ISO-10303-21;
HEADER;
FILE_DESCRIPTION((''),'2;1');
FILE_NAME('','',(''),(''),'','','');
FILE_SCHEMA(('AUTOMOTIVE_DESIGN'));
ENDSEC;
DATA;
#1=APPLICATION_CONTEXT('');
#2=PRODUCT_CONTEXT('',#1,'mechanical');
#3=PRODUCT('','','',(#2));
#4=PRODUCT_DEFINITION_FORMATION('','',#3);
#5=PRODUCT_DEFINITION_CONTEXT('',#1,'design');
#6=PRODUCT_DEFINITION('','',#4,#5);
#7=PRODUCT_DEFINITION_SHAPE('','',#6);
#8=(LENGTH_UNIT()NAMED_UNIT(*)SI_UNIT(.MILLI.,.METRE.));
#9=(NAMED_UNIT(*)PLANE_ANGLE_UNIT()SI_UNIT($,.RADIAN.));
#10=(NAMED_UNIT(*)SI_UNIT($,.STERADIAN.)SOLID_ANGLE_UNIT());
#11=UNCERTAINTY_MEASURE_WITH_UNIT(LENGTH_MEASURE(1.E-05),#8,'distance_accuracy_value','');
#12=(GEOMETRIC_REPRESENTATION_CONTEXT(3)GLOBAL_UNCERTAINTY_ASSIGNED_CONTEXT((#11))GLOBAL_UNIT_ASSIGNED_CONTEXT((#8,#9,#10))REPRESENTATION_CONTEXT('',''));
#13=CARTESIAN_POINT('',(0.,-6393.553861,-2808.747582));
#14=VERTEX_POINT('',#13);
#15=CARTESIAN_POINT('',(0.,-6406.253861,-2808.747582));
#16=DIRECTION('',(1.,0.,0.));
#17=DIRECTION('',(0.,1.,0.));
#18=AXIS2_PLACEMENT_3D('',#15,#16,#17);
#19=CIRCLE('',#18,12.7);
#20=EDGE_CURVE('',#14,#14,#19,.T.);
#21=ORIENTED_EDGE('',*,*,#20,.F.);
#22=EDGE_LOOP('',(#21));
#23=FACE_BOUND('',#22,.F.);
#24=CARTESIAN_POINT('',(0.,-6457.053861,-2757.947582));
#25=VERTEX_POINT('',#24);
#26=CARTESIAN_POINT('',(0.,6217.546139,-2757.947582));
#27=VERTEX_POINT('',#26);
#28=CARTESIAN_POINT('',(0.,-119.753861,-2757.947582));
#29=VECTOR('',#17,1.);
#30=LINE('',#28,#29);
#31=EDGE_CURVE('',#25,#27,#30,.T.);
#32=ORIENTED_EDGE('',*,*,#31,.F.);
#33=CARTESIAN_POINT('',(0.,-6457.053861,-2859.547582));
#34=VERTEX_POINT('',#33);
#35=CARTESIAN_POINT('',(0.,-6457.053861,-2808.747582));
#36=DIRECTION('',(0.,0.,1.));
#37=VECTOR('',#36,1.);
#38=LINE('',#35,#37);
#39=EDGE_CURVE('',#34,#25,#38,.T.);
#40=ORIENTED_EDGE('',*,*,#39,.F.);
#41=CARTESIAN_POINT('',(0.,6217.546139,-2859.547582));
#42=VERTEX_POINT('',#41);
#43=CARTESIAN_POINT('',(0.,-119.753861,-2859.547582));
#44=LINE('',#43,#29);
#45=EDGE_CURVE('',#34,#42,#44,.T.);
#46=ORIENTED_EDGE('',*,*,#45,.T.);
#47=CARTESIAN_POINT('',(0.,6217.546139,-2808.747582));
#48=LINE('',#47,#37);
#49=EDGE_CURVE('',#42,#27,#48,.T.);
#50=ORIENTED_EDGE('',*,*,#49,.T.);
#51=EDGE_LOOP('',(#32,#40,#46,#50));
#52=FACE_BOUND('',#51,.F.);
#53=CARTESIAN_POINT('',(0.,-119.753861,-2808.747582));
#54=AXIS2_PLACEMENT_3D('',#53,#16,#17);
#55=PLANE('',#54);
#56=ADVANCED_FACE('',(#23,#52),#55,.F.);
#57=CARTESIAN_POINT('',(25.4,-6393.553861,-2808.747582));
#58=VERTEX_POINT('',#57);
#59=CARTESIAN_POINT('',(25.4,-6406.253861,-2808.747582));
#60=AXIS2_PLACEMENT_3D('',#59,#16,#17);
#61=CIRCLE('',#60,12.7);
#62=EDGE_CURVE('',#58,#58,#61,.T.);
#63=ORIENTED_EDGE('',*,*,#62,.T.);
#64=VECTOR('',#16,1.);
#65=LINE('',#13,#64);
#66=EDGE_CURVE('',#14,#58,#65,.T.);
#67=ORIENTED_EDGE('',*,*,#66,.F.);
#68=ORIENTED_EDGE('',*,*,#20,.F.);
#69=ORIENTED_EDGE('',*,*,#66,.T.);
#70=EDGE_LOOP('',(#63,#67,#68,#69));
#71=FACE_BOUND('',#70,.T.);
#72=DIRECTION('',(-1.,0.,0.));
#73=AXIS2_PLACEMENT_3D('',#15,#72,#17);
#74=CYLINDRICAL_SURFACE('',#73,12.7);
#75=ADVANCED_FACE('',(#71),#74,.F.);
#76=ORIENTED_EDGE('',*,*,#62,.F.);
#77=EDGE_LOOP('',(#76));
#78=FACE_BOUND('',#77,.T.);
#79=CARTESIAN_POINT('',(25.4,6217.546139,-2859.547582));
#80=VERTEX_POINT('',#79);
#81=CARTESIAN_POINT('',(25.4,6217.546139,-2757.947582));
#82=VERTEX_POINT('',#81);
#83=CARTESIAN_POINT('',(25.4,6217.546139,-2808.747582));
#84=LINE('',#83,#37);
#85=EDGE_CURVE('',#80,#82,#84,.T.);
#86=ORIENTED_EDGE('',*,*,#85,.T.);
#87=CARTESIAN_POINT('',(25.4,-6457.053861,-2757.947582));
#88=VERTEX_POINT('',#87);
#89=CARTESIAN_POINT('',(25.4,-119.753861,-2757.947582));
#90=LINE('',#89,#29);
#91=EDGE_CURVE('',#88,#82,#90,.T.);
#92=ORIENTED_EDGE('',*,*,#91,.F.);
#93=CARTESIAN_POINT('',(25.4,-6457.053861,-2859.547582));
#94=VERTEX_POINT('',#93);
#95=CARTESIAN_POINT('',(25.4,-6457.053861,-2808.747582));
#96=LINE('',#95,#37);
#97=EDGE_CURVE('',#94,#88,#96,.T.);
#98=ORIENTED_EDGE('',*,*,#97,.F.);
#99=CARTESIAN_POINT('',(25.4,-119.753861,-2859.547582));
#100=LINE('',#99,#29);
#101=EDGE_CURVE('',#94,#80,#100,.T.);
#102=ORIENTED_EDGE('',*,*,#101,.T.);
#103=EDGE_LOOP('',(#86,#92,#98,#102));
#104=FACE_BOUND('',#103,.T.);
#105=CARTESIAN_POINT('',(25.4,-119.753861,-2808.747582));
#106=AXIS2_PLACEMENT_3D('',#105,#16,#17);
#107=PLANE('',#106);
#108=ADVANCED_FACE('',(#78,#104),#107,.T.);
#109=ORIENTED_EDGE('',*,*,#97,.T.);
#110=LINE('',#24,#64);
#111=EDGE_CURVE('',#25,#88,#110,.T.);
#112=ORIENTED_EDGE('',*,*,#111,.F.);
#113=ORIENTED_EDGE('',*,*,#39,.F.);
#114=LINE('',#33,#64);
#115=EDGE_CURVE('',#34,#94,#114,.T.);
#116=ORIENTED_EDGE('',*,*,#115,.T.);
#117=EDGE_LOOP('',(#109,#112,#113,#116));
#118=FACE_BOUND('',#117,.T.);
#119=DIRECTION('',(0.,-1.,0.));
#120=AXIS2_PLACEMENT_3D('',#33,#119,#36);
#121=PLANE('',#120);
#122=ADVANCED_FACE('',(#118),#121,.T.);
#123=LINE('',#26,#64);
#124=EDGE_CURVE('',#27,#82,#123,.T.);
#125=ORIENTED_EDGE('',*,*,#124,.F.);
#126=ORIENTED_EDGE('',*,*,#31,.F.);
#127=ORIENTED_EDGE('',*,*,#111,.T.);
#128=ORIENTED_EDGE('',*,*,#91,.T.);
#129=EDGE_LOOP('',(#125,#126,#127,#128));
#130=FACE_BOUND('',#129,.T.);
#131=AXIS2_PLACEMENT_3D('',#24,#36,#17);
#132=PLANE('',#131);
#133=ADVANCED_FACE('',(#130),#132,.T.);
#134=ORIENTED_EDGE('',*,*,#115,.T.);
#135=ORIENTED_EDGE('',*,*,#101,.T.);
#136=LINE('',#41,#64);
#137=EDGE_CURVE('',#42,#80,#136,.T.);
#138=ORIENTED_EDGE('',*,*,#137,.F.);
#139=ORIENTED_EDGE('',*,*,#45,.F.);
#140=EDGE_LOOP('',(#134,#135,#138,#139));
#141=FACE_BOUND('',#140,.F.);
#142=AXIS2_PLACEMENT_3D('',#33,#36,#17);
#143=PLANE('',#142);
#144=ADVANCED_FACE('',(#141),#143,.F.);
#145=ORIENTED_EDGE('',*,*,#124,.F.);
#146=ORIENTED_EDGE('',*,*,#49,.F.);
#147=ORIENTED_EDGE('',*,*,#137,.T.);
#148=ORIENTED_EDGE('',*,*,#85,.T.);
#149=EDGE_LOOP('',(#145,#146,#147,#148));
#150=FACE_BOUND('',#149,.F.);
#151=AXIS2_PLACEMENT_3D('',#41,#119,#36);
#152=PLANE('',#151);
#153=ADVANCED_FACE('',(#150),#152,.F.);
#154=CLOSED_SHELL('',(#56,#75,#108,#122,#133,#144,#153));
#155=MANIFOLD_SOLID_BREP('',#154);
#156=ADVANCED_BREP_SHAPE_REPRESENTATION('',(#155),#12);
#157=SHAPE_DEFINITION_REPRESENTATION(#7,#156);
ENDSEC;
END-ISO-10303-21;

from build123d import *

# Parameters (mm, degrees)
F0_W     = 12750
F0_H     = 101.6
F1_DEPTH = 25.4
F3_W     = 12674.6
F3_H     = 101.6
F3_R     = 12.7
F4_DEPTH = 25.4
F5_DEPTH = 25.4


with BuildPart() as f1:
    # F0 (on Front) → F1 (new body)
    with BuildSketch(Plane.XZ):
        with Locations((6166.7917860505, -1.2713777833)):
            Rectangle(F0_W, F0_H)
    extrude(amount=F1_DEPTH)


with BuildPart() as f4:
    # F3 (on Right) → F4 (new body)
    with BuildSketch(Plane.YZ):
        with Locations((-119.7538606495, -2808.7475822979)):
            Rectangle(F3_W, F3_H)
        with Locations((-6406.2538606495, -2808.7475822979)):
            Circle(F3_R, mode=Mode.SUBTRACT)
    extrude(amount=F4_DEPTH)

    # F3 (on Right) → F5 (join)
    with BuildSketch(Plane.YZ):
        with Locations((-119.7538606495, -2808.7475822979)):
            Rectangle(F3_W, F3_H)
        with Locations((-6406.2538606495, -2808.7475822979)):
            Circle(F3_R, mode=Mode.SUBTRACT)
    extrude(amount=F5_DEPTH)


solid = f4.part
